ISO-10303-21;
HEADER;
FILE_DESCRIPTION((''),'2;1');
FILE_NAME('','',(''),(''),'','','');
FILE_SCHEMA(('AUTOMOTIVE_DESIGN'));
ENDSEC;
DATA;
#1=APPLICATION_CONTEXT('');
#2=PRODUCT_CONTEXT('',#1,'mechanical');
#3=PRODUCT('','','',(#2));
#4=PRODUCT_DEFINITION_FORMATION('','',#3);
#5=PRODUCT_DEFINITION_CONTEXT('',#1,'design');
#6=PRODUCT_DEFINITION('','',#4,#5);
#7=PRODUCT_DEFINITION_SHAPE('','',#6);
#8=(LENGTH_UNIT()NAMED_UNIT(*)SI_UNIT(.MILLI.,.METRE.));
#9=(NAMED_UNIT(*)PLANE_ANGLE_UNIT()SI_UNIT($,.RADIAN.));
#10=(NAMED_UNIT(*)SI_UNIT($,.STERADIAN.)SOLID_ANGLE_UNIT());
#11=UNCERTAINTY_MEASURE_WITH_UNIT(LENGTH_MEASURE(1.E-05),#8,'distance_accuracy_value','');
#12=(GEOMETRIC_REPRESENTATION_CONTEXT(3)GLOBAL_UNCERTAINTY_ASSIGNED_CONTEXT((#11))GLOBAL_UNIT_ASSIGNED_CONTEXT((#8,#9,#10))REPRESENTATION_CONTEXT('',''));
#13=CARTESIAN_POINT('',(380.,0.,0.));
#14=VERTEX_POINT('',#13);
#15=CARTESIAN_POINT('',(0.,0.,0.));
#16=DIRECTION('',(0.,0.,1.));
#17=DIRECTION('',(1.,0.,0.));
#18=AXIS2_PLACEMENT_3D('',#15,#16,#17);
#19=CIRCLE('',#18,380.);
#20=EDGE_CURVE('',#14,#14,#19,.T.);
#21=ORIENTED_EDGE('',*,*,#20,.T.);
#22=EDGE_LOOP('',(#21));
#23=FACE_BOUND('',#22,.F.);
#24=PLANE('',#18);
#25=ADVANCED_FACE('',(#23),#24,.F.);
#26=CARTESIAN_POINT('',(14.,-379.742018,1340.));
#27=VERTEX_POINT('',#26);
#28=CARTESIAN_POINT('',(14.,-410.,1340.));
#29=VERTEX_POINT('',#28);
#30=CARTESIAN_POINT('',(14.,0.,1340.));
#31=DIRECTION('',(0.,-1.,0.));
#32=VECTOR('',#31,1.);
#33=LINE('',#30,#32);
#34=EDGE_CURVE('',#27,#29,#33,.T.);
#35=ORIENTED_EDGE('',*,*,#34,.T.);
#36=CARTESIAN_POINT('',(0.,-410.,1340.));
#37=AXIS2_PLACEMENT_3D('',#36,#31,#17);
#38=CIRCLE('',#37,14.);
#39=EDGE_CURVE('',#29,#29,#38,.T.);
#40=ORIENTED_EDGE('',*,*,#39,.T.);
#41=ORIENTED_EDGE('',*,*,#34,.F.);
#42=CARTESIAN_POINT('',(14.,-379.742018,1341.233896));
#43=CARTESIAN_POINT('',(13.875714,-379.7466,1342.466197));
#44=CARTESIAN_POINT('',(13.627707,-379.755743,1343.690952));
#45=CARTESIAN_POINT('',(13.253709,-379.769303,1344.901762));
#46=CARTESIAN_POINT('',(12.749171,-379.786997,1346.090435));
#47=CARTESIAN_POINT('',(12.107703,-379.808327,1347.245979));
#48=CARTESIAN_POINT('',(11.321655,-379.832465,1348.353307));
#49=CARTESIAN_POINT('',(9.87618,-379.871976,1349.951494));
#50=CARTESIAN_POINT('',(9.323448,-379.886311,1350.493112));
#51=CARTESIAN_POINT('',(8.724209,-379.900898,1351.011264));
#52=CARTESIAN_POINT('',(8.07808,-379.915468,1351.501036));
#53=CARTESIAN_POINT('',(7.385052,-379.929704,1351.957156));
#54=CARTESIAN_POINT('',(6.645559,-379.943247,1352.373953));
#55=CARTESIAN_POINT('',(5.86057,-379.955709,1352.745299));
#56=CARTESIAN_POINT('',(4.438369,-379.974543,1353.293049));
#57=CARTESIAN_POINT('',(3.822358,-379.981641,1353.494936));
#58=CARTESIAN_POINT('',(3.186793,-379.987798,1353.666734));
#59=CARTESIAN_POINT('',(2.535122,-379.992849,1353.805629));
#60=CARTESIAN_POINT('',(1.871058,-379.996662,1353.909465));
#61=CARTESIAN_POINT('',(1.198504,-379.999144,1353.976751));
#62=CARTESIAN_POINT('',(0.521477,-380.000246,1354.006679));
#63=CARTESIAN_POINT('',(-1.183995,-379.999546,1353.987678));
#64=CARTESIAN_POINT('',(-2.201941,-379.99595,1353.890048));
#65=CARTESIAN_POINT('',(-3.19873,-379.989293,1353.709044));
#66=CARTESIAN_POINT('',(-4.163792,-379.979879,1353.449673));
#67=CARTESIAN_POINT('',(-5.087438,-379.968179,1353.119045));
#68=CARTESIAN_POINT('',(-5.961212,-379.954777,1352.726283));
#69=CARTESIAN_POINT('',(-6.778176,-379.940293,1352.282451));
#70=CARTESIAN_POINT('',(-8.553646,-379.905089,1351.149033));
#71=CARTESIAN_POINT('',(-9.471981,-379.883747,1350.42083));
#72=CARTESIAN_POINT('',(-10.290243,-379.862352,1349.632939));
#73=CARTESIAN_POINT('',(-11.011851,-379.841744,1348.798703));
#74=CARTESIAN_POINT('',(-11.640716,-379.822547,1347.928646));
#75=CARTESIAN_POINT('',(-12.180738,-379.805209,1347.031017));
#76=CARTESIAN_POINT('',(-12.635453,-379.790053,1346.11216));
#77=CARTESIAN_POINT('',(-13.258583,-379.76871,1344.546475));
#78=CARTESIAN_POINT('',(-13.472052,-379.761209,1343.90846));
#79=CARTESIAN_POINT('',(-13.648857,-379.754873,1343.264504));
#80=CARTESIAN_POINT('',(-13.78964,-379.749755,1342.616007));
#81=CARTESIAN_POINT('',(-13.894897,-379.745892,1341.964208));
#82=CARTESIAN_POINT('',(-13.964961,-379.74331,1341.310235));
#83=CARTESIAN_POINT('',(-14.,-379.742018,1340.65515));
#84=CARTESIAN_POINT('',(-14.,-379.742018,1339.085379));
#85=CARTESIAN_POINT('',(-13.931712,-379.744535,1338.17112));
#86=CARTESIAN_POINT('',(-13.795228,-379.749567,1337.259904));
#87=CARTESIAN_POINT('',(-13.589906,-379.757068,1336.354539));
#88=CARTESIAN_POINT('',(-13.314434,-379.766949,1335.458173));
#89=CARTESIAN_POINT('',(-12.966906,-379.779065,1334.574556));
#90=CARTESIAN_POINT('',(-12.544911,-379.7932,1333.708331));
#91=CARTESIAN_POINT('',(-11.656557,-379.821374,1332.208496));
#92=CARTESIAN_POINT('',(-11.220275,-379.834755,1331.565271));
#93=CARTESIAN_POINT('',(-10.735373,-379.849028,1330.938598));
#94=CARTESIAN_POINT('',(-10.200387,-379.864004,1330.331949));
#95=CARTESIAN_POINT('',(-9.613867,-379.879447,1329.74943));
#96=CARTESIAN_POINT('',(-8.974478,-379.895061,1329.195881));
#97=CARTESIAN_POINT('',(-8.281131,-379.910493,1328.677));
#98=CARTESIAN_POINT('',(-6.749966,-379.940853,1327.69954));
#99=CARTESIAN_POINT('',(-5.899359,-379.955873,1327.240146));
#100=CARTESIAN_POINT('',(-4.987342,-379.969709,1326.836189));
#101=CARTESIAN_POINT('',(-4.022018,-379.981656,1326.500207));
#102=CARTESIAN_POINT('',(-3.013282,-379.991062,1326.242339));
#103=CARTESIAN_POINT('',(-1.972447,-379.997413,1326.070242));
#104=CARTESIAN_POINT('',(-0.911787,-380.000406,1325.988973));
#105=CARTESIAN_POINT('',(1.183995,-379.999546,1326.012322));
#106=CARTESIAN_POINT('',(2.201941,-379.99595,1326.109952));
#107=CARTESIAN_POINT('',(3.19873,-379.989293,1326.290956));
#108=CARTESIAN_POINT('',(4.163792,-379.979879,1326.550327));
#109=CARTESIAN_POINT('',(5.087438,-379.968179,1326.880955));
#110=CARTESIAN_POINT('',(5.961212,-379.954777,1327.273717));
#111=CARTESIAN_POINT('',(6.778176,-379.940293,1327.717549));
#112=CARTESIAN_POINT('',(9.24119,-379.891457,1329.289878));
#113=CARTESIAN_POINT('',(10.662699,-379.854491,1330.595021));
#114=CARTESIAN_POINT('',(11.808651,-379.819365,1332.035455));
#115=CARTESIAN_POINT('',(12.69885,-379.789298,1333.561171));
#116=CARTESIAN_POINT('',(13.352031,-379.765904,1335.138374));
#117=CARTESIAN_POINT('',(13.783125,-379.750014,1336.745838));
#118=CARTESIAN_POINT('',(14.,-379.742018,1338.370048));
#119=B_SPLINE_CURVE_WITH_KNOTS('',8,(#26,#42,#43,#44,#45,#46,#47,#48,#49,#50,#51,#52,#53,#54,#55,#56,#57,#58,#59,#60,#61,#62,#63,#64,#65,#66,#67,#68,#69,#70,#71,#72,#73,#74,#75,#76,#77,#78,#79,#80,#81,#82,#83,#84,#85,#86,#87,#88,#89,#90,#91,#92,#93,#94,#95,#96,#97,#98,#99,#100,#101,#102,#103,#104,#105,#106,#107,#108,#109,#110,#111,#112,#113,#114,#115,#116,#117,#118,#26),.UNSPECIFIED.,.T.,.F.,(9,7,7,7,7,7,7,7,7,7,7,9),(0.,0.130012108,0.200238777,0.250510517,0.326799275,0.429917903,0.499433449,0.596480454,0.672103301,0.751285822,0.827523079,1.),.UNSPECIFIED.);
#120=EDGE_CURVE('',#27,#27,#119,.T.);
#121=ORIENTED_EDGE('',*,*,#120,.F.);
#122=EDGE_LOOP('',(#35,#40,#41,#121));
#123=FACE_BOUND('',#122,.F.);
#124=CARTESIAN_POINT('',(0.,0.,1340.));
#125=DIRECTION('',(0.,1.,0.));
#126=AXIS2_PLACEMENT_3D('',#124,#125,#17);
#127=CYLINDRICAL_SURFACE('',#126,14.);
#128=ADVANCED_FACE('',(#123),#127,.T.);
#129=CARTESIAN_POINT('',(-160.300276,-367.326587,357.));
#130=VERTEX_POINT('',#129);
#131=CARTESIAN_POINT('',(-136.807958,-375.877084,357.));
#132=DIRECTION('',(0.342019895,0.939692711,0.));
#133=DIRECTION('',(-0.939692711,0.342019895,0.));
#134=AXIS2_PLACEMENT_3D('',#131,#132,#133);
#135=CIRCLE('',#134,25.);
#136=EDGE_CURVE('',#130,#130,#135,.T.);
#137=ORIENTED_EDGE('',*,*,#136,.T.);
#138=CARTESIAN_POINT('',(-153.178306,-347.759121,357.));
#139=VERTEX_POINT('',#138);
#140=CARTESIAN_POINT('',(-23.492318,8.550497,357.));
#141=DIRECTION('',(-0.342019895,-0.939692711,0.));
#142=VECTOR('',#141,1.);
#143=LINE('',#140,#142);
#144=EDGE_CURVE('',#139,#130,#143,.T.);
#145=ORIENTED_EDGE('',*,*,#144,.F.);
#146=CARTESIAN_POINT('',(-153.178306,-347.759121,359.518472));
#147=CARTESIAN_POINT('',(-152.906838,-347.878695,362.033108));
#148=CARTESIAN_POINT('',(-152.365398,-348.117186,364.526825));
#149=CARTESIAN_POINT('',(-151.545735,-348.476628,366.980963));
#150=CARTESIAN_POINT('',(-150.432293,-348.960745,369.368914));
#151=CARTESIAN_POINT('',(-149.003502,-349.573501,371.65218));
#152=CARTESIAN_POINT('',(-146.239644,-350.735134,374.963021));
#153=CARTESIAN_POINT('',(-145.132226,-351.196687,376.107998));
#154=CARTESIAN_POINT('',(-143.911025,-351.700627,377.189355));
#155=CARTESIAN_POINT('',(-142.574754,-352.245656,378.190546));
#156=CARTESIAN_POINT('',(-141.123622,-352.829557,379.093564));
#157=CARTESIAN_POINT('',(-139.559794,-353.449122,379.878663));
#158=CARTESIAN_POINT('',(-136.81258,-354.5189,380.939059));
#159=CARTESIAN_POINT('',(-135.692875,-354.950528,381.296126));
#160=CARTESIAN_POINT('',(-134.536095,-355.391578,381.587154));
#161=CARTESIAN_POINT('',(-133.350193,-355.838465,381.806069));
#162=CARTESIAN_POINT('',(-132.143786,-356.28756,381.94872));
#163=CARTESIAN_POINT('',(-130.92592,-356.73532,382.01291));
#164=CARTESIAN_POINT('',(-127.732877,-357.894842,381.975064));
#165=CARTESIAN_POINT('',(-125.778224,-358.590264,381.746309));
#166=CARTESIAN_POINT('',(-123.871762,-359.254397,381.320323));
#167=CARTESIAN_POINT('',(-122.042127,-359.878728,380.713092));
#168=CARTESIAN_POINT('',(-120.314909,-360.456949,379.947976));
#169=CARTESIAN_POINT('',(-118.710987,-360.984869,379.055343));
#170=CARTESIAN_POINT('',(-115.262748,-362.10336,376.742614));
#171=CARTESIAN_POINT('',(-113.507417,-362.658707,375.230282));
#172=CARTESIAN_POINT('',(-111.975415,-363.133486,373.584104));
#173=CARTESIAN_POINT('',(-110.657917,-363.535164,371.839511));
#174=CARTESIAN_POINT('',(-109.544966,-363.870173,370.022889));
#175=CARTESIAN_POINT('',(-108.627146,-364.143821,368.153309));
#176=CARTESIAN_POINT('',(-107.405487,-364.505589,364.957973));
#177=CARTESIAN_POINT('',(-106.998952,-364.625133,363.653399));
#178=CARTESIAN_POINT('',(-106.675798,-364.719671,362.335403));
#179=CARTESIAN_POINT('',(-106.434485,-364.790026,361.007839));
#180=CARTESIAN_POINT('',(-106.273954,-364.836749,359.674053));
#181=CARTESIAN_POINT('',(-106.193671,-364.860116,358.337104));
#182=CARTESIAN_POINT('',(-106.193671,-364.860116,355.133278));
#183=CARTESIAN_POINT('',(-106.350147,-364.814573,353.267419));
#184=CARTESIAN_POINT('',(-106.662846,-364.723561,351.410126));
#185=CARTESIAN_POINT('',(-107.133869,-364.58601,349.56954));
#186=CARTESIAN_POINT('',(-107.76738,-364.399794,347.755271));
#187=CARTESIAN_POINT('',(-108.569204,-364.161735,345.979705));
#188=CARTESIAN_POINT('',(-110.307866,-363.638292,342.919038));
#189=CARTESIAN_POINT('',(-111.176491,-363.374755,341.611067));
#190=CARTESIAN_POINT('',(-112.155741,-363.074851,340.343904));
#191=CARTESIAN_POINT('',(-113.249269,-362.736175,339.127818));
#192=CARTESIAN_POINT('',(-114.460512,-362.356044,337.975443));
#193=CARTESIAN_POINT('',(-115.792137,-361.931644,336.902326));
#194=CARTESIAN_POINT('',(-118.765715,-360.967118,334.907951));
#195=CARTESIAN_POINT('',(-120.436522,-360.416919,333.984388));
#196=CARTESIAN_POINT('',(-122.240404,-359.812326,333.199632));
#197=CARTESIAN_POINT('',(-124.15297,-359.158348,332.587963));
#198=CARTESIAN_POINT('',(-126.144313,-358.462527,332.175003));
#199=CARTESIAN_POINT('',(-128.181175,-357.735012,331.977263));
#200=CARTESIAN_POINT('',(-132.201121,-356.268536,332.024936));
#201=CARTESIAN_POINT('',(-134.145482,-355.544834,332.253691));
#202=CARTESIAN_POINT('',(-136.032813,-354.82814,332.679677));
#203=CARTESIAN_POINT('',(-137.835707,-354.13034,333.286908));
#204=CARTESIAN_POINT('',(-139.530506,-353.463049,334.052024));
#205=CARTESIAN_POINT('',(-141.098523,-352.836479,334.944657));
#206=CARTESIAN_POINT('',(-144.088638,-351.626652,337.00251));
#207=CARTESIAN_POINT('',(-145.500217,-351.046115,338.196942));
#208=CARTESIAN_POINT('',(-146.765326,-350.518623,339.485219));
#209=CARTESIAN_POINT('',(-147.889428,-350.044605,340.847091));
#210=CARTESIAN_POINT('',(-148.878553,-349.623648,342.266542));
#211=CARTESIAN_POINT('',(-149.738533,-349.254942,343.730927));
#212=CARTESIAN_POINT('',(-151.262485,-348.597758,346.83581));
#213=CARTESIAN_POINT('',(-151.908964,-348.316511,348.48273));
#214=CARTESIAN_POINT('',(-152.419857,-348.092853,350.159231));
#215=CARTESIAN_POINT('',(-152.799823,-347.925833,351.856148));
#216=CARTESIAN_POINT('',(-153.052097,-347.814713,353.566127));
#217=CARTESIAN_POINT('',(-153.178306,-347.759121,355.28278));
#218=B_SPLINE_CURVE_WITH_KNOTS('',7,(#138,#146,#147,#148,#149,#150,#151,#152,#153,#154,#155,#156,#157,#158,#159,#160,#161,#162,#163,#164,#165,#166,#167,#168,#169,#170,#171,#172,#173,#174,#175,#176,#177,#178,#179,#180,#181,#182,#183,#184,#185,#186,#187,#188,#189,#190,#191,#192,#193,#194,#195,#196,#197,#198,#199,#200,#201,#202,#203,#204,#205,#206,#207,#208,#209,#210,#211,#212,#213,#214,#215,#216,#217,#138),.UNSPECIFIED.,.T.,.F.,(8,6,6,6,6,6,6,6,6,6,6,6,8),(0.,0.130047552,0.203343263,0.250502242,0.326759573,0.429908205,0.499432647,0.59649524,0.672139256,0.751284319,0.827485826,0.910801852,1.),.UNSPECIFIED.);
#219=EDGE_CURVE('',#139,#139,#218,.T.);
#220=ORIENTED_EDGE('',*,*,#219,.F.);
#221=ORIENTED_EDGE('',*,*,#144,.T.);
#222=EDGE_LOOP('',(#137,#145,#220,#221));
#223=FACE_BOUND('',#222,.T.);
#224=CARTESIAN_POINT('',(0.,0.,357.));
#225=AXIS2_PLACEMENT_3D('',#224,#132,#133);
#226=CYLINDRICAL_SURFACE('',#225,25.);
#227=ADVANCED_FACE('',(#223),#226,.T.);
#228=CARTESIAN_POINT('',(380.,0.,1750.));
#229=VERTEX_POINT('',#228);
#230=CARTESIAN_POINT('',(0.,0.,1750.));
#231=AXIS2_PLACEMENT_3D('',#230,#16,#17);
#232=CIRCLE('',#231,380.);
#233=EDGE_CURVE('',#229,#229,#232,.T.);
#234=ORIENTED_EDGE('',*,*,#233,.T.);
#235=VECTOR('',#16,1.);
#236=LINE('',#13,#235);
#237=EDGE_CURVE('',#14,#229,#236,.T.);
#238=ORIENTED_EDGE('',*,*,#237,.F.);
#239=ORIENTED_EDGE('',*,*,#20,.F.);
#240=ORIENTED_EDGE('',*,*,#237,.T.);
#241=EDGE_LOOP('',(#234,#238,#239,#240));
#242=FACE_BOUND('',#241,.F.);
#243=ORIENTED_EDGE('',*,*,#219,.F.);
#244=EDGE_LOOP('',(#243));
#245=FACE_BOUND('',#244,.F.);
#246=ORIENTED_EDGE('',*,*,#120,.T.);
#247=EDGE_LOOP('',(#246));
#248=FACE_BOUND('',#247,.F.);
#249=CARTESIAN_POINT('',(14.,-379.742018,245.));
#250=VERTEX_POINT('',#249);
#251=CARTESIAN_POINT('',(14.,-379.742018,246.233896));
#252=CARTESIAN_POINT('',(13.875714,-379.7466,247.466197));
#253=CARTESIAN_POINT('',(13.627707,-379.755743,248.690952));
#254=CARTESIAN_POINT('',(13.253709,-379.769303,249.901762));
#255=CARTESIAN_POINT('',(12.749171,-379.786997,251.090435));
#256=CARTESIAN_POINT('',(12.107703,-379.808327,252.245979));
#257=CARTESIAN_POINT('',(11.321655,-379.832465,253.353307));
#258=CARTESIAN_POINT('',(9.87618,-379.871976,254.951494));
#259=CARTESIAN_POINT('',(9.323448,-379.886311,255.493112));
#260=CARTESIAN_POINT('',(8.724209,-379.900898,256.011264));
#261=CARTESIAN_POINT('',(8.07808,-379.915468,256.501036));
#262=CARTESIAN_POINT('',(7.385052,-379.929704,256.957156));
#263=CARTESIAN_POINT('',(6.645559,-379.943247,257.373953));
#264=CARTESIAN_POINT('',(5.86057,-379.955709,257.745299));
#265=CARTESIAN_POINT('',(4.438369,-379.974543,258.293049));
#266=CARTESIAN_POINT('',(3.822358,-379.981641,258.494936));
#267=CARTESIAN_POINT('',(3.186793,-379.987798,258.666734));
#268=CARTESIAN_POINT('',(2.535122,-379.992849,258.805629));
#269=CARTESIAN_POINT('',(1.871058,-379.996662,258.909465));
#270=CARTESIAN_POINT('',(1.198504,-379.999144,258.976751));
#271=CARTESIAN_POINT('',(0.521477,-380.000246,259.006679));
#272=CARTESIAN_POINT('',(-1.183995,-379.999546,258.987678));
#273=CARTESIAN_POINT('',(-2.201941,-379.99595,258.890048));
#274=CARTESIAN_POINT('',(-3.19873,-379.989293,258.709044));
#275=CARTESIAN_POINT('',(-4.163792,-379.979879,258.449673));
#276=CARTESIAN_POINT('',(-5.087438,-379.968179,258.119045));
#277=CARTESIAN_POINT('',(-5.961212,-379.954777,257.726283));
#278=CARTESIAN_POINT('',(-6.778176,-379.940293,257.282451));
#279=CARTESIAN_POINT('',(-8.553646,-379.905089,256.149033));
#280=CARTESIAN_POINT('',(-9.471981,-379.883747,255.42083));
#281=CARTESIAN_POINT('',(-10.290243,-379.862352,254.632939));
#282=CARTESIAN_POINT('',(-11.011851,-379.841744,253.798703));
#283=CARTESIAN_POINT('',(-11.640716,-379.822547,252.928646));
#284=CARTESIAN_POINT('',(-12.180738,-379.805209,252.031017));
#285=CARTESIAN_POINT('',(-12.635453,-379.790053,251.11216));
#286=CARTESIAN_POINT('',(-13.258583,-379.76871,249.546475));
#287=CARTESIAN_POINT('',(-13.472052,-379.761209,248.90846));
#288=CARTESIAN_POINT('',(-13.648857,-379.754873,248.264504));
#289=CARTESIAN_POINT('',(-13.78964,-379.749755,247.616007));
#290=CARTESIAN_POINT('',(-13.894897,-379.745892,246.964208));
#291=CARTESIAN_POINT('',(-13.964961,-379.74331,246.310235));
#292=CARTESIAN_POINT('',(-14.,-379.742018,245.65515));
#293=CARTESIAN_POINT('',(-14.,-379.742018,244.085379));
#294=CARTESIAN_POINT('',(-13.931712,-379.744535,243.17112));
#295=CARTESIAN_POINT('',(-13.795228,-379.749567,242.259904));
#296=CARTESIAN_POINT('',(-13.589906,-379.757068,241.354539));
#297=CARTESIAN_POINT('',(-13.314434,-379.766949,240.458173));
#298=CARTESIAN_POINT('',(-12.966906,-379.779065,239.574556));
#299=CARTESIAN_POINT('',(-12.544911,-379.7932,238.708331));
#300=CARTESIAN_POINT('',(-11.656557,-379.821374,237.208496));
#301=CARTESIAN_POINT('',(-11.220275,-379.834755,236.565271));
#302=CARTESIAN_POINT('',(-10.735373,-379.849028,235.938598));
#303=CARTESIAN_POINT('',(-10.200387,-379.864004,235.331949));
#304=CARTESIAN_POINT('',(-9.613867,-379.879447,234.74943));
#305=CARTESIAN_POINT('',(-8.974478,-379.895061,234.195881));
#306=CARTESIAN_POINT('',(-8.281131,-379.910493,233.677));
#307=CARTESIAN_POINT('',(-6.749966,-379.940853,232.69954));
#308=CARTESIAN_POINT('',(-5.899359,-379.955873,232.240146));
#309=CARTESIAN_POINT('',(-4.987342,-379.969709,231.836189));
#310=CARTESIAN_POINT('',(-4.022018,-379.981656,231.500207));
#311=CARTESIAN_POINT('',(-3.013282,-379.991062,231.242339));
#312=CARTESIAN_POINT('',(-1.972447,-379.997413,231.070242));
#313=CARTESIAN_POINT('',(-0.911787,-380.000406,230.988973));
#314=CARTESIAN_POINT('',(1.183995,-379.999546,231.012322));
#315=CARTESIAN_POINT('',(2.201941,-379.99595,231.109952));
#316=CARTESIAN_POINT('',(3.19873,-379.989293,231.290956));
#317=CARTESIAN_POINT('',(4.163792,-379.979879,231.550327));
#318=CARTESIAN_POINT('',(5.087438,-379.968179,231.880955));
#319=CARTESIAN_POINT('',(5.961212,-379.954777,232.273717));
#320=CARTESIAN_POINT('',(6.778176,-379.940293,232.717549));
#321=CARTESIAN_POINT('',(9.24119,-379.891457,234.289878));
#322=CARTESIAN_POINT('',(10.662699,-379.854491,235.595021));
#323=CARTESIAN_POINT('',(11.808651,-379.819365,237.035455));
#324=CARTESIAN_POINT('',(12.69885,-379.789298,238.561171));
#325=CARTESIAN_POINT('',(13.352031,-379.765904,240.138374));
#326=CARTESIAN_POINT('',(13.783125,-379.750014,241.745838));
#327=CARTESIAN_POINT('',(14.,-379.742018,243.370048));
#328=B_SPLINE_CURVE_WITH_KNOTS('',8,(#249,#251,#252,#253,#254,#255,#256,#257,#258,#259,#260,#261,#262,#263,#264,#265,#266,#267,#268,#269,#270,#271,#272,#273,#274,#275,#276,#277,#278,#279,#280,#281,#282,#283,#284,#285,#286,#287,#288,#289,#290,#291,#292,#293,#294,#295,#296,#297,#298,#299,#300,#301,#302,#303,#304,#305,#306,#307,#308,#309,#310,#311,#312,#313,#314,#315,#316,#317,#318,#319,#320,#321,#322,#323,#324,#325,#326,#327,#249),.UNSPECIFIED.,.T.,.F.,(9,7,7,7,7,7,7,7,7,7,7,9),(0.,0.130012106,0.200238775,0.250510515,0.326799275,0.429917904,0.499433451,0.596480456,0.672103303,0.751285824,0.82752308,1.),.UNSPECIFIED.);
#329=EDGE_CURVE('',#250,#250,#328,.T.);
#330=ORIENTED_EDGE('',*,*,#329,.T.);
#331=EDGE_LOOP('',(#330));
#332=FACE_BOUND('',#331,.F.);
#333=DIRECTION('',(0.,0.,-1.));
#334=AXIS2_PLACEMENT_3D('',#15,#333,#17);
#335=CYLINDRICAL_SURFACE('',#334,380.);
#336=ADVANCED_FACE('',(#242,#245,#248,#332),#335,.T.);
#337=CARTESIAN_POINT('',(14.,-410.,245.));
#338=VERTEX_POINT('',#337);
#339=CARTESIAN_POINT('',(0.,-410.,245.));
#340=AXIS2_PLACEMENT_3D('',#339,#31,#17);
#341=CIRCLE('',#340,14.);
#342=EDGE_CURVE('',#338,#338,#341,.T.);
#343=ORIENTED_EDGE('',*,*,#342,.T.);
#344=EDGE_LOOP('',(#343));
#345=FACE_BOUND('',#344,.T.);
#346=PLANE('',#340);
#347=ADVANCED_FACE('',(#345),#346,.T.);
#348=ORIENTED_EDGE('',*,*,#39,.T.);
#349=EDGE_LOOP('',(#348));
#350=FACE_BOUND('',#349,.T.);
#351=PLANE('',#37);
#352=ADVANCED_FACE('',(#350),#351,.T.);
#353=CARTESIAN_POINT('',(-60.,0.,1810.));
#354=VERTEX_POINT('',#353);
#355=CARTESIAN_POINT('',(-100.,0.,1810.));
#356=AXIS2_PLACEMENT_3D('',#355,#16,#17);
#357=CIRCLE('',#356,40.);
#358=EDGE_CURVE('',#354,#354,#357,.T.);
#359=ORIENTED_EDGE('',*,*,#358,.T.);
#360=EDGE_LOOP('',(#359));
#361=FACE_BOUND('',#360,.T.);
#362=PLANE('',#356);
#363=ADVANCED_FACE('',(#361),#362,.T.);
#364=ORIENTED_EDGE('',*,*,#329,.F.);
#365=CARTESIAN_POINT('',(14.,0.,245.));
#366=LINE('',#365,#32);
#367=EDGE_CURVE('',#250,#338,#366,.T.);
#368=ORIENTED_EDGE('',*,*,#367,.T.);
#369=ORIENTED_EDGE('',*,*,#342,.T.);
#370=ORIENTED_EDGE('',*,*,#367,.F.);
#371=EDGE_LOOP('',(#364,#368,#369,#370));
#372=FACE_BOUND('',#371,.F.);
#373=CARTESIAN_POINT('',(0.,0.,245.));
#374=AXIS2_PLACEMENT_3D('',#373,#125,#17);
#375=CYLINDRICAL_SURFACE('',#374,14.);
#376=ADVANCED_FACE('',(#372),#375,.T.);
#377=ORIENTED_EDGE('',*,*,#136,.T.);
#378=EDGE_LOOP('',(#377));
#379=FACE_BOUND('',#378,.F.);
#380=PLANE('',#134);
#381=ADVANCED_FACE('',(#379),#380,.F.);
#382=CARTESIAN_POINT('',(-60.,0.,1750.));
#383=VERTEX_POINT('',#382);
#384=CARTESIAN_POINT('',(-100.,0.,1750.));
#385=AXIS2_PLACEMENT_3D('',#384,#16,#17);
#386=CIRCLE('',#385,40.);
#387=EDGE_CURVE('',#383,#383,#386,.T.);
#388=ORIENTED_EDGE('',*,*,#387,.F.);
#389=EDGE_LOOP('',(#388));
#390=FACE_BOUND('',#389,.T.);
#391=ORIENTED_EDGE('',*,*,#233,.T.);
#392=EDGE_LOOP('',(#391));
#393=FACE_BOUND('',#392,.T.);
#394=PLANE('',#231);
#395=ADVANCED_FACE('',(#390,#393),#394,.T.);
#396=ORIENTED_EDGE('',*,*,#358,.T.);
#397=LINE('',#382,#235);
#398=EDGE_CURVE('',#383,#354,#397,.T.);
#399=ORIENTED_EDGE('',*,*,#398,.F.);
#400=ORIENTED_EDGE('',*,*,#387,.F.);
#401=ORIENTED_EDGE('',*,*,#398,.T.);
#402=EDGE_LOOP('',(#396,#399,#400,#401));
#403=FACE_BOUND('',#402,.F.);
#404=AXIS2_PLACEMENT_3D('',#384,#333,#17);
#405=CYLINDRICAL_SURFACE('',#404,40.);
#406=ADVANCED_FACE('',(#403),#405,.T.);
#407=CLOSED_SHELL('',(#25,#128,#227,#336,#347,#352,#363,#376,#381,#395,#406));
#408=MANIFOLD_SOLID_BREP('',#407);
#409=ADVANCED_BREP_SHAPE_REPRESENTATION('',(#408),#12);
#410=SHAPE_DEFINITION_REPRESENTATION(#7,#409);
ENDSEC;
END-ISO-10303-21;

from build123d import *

# Parameters (mm, degrees)
F0_R     = 380
F1_DEPTH = 1750
F2_R     = 14
F3_DEPTH = 410
F4_R     = 40
F5_DEPTH = 60
F8_R     = 25
F9_DEPTH = 400


with BuildPart() as f1:
    # F0 (on Top) → F1 (new body)
    with BuildSketch(Plane.XY):
        Circle(F0_R)
    extrude(amount=F1_DEPTH)

    # F2 (on Front) → F3 (join)
    with BuildSketch(Plane.XZ):
        with Locations((0, 245)):
            Circle(F2_R)
        with Locations((0, 1340)):
            Circle(F2_R)
    extrude(amount=F3_DEPTH)

    # F4 (on face) → F5 (join)
    with BuildSketch(Plane.XY.offset(1750)):
        with Locations((-100, 0)):
            Circle(F4_R)
    extrude(amount=F5_DEPTH)

    # F8 (on face) → F9 (join)
    with BuildSketch(Plane(origin=(0, 0, 0), x_dir=(-0.939693, 0.34202, 0), z_dir=(0.34202, 0.939693, 0))):
        with Locations((0, 357)):
            Circle(F8_R)
    extrude(amount=-F9_DEPTH)


solid = f1.part
